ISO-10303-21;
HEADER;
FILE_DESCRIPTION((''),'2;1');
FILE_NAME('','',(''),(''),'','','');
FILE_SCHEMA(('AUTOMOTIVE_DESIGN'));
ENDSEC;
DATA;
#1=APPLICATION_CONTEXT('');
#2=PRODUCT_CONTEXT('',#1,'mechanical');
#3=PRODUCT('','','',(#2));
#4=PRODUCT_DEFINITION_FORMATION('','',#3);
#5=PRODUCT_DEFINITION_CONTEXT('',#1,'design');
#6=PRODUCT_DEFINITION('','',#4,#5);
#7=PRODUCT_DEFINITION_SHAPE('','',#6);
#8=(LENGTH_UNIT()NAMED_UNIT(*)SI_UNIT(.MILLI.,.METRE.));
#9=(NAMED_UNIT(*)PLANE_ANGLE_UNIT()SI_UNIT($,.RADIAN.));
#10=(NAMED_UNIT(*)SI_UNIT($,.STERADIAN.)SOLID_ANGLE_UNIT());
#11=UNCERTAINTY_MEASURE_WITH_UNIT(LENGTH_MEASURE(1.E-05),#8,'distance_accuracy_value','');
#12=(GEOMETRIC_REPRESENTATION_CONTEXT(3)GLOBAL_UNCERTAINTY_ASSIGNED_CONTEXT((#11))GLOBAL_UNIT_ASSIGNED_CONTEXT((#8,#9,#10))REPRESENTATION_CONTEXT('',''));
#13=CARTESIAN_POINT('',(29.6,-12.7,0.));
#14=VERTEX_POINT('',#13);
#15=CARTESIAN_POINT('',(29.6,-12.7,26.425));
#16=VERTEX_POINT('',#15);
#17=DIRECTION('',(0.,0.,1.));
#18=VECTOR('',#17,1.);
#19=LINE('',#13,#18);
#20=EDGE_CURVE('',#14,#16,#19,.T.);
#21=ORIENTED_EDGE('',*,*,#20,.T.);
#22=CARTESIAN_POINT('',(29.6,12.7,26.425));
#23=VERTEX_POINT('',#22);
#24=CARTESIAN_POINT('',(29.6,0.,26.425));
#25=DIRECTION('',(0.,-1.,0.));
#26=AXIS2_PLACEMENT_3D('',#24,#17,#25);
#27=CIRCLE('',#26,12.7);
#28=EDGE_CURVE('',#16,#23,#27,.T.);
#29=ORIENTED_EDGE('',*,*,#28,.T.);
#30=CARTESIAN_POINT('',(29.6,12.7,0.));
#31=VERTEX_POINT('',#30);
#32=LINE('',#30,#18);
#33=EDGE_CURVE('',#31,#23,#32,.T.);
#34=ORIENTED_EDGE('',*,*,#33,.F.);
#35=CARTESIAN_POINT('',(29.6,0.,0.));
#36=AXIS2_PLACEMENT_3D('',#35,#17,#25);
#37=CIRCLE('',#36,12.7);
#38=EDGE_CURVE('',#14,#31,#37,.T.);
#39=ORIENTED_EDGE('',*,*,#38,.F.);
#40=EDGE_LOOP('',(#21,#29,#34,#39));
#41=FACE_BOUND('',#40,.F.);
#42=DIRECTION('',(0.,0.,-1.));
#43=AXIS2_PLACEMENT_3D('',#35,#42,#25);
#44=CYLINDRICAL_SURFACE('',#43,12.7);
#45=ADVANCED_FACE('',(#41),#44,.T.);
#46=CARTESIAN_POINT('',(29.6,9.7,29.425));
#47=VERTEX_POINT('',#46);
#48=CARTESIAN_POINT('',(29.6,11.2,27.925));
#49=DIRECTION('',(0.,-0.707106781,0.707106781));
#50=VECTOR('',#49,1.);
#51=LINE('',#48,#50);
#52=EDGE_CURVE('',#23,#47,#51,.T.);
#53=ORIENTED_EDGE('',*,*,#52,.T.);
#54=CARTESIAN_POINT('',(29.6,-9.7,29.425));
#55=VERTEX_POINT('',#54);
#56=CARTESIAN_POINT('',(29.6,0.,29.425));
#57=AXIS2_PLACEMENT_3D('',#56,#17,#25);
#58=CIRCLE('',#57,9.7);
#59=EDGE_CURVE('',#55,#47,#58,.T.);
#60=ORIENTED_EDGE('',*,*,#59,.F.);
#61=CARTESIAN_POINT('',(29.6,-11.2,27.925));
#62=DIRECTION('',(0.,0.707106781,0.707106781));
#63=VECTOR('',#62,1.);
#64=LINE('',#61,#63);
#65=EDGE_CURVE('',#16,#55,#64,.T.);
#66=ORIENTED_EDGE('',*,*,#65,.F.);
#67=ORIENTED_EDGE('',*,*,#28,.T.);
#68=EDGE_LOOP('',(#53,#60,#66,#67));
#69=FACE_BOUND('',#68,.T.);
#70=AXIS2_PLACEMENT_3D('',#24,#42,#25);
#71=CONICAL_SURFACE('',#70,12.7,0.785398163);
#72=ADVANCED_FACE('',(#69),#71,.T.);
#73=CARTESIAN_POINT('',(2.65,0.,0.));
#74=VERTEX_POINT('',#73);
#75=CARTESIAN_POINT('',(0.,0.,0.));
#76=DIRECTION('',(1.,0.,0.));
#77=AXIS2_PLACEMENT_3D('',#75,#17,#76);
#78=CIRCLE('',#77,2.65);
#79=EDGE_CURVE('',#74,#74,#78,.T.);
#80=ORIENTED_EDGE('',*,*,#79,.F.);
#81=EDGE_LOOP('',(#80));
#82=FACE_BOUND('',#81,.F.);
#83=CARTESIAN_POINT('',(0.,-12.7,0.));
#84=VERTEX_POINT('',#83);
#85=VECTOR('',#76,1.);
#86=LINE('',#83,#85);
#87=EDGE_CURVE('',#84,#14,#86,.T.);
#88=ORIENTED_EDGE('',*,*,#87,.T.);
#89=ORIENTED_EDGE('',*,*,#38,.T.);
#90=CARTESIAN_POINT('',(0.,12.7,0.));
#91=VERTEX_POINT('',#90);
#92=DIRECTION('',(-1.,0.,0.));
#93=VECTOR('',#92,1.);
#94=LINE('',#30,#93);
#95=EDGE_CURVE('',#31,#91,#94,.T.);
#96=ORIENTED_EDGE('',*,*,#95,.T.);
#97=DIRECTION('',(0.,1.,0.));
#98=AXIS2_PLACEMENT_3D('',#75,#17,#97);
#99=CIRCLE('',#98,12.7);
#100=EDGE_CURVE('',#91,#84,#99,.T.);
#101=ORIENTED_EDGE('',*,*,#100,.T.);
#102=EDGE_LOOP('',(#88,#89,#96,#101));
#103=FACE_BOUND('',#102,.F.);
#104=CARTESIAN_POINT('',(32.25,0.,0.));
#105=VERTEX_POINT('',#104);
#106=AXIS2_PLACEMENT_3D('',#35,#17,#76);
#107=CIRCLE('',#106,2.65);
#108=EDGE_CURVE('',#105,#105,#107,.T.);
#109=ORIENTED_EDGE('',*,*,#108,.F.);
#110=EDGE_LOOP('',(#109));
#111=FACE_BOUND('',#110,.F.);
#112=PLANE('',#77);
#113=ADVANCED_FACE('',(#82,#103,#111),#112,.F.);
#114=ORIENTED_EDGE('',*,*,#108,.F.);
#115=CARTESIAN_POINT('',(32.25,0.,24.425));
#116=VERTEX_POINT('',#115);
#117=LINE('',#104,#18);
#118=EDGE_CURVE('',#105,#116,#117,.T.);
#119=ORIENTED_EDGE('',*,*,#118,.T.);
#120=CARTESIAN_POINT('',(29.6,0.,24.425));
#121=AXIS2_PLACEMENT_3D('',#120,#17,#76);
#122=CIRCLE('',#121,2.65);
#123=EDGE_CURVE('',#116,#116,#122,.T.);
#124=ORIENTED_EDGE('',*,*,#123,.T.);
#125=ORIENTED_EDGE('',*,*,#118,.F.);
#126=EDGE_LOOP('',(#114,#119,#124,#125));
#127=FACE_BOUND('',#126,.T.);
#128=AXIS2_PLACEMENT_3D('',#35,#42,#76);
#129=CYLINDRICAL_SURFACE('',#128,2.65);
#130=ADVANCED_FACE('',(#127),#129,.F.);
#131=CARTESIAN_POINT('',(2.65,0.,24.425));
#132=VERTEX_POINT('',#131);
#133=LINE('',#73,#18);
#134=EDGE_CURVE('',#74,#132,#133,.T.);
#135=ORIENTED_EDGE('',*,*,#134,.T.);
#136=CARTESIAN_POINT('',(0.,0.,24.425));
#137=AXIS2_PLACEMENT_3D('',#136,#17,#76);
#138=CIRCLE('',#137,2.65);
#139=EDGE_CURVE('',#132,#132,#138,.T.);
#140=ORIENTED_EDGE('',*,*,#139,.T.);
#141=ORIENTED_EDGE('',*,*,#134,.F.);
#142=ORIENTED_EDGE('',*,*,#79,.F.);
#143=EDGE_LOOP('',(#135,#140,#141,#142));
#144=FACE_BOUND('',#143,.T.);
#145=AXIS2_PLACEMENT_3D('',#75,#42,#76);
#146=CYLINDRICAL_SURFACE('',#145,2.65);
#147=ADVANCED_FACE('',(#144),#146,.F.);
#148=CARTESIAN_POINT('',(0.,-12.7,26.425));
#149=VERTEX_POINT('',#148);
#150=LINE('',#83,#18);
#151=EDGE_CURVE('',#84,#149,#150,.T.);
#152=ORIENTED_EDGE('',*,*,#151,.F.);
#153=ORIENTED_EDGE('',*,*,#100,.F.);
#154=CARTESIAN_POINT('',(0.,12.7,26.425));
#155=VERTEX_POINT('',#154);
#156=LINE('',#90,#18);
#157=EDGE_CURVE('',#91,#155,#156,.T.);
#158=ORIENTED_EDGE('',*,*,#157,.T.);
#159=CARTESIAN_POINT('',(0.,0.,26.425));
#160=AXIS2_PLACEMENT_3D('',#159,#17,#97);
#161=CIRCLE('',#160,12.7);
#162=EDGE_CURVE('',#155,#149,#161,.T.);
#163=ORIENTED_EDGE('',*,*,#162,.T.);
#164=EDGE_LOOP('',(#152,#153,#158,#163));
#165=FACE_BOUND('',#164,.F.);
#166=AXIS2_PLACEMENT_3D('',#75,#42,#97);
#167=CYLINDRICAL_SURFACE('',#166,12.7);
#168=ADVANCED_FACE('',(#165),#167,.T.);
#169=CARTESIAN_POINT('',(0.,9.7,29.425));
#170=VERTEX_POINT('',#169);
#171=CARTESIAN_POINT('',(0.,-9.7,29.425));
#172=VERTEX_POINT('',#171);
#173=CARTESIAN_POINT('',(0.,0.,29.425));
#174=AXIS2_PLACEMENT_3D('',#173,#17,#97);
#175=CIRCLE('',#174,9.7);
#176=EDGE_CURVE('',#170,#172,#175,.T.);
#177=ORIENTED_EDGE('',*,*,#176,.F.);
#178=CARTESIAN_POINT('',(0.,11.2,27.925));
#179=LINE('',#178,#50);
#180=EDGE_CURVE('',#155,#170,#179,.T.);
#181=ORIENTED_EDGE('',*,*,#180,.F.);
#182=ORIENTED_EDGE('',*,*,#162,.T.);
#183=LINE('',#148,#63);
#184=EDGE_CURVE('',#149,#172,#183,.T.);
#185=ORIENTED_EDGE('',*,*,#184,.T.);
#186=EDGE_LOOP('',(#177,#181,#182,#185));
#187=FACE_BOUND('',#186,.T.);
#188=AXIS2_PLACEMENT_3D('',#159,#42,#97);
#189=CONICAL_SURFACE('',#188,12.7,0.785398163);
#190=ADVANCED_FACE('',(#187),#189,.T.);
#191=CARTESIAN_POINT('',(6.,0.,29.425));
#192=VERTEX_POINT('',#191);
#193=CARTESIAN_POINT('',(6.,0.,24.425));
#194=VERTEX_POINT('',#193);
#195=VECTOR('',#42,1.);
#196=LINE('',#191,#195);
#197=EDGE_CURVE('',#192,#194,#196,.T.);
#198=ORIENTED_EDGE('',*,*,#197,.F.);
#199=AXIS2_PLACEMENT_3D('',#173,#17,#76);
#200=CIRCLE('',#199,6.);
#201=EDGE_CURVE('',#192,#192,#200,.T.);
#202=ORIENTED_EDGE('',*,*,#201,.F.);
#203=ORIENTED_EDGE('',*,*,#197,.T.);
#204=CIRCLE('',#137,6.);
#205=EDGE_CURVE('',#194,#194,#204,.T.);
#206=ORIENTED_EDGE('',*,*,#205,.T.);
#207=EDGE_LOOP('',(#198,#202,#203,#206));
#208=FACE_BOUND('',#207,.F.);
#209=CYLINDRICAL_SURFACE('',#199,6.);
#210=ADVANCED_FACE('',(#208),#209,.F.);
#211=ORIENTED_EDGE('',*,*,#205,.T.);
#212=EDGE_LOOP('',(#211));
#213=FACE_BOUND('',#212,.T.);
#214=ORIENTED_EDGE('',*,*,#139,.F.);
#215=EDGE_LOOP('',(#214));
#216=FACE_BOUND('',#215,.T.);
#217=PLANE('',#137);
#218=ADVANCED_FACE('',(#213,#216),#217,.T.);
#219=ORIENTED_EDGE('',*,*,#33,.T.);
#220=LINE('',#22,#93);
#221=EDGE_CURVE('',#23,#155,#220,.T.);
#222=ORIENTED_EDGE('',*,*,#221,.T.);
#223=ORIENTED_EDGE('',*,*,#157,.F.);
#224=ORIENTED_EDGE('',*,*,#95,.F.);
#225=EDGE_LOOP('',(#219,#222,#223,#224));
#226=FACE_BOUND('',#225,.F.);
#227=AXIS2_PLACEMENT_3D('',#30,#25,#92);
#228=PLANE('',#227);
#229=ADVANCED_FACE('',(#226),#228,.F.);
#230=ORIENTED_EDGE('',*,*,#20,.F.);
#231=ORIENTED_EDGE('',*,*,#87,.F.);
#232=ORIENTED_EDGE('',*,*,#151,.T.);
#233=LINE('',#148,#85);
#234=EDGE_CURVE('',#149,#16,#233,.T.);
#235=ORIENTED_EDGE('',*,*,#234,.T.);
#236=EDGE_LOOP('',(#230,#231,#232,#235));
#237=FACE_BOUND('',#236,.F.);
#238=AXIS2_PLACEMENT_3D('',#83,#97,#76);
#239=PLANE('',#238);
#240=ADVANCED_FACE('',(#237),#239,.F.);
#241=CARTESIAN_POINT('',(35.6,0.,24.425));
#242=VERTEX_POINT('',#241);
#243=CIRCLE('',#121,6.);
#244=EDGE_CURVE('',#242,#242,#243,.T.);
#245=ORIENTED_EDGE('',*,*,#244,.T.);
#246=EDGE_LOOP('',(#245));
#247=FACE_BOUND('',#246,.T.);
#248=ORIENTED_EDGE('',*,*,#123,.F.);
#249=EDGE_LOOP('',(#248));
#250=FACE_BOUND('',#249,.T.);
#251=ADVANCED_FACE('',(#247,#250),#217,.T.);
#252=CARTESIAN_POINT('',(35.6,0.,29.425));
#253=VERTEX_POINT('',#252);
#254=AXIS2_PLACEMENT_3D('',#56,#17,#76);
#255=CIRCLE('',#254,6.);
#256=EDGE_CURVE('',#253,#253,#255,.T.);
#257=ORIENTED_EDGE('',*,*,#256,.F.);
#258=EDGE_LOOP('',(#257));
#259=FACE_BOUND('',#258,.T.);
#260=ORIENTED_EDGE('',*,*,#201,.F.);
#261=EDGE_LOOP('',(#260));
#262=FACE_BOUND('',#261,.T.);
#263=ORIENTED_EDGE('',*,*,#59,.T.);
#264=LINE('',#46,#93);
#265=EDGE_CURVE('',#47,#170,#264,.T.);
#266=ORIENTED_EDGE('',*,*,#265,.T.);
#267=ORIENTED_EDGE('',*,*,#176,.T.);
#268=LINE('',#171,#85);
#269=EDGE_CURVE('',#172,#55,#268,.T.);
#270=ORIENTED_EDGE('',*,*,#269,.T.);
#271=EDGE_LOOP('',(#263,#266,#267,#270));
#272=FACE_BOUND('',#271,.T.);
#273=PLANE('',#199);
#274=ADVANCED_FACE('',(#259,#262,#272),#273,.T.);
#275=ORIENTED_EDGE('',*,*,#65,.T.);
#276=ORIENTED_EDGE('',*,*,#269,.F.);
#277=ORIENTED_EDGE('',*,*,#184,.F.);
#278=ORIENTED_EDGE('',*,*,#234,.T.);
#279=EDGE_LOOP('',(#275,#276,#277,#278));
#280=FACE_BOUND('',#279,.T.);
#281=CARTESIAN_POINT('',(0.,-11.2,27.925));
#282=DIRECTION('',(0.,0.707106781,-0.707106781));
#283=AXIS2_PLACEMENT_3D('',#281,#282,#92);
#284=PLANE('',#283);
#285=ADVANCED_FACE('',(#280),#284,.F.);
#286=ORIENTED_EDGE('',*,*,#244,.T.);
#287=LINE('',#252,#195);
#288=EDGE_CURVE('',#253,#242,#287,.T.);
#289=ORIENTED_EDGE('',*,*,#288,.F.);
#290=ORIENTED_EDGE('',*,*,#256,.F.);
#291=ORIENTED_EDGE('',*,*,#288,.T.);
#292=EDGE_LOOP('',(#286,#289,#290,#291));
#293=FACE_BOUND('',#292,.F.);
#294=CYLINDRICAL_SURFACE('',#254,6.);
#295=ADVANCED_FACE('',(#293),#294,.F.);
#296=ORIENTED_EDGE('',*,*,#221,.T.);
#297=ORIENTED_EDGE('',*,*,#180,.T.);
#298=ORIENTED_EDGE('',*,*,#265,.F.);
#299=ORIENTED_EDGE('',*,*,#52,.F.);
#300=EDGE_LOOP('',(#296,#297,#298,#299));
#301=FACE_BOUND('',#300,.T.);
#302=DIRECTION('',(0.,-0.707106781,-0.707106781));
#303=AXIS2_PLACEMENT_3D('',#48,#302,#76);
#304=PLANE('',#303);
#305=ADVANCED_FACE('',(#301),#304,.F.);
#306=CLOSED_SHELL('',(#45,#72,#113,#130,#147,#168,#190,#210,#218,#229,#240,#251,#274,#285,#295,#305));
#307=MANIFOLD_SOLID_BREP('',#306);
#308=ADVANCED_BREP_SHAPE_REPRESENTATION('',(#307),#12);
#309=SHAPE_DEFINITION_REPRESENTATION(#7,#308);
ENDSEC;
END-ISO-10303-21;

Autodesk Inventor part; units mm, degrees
ref_plane "YZ Plane" through (0, 0, 0) normal (1, 0, 0) x (0, 1, 0)
ref_plane "XZ Plane" through (0, 0, 0) normal (0, 1, 0) x (-1, 0, 0)
ref_plane "XY Plane" through (0, 0, 0) normal (0, 0, 1) x (1, 0, 0)
sketch "Sketch1" plane through (0, 0, 0) normal (0, 0, 1) x (1, 0, 0)
  line L0 (0, 0) -> (29.6, 0) construction
  line L1 (0, -12.7) -> (29.6, -12.7)
  line L2 (29.6, 12.7) -> (0, 12.7)
  arc A0 (0, 12.7) -> (0, -12.7) centre (0, 0) ccw
  arc A1 (29.6, -12.7) -> (29.6, 12.7) centre (29.6, 0) ccw
  circle A2 centre (0, 0) radius 2.65
  circle A3 centre (29.6, 0) radius 2.65
  point P0 (14.8, 0)
  dimension "d0" = 29.6
  dimension "d1" = 5.3
  dimension "d2" = 5.3
  dimension "d9" = 25.4
extrude "Extrusion1" add sketch "Sketch1" along normal blind 29.425
sketch "Sketch2" plane through (0, 0, 29.425) normal (0, 0, 1) x (1, 0, 0)
  circle A0 centre (0, 0) radius 2.65 projected
  circle A1 centre (29.6, 0) radius 2.65 projected
  circle A2 centre (0, 0) radius 6
  circle A3 centre (29.6, 0) radius 6
  dimension "d6" = 12
extrude "Extrusion2" cut sketch "Sketch2" against normal blind 5
chamfer "Chamfer1" distance 3 angle 45 4 edges at (14.8, 12.7, 29.425) (-12.7, 0, 29.425) (14.8, -12.7, 29.425) (42.3, 0, 29.425)
properties part number "Tope" material "ABS Plastic"
